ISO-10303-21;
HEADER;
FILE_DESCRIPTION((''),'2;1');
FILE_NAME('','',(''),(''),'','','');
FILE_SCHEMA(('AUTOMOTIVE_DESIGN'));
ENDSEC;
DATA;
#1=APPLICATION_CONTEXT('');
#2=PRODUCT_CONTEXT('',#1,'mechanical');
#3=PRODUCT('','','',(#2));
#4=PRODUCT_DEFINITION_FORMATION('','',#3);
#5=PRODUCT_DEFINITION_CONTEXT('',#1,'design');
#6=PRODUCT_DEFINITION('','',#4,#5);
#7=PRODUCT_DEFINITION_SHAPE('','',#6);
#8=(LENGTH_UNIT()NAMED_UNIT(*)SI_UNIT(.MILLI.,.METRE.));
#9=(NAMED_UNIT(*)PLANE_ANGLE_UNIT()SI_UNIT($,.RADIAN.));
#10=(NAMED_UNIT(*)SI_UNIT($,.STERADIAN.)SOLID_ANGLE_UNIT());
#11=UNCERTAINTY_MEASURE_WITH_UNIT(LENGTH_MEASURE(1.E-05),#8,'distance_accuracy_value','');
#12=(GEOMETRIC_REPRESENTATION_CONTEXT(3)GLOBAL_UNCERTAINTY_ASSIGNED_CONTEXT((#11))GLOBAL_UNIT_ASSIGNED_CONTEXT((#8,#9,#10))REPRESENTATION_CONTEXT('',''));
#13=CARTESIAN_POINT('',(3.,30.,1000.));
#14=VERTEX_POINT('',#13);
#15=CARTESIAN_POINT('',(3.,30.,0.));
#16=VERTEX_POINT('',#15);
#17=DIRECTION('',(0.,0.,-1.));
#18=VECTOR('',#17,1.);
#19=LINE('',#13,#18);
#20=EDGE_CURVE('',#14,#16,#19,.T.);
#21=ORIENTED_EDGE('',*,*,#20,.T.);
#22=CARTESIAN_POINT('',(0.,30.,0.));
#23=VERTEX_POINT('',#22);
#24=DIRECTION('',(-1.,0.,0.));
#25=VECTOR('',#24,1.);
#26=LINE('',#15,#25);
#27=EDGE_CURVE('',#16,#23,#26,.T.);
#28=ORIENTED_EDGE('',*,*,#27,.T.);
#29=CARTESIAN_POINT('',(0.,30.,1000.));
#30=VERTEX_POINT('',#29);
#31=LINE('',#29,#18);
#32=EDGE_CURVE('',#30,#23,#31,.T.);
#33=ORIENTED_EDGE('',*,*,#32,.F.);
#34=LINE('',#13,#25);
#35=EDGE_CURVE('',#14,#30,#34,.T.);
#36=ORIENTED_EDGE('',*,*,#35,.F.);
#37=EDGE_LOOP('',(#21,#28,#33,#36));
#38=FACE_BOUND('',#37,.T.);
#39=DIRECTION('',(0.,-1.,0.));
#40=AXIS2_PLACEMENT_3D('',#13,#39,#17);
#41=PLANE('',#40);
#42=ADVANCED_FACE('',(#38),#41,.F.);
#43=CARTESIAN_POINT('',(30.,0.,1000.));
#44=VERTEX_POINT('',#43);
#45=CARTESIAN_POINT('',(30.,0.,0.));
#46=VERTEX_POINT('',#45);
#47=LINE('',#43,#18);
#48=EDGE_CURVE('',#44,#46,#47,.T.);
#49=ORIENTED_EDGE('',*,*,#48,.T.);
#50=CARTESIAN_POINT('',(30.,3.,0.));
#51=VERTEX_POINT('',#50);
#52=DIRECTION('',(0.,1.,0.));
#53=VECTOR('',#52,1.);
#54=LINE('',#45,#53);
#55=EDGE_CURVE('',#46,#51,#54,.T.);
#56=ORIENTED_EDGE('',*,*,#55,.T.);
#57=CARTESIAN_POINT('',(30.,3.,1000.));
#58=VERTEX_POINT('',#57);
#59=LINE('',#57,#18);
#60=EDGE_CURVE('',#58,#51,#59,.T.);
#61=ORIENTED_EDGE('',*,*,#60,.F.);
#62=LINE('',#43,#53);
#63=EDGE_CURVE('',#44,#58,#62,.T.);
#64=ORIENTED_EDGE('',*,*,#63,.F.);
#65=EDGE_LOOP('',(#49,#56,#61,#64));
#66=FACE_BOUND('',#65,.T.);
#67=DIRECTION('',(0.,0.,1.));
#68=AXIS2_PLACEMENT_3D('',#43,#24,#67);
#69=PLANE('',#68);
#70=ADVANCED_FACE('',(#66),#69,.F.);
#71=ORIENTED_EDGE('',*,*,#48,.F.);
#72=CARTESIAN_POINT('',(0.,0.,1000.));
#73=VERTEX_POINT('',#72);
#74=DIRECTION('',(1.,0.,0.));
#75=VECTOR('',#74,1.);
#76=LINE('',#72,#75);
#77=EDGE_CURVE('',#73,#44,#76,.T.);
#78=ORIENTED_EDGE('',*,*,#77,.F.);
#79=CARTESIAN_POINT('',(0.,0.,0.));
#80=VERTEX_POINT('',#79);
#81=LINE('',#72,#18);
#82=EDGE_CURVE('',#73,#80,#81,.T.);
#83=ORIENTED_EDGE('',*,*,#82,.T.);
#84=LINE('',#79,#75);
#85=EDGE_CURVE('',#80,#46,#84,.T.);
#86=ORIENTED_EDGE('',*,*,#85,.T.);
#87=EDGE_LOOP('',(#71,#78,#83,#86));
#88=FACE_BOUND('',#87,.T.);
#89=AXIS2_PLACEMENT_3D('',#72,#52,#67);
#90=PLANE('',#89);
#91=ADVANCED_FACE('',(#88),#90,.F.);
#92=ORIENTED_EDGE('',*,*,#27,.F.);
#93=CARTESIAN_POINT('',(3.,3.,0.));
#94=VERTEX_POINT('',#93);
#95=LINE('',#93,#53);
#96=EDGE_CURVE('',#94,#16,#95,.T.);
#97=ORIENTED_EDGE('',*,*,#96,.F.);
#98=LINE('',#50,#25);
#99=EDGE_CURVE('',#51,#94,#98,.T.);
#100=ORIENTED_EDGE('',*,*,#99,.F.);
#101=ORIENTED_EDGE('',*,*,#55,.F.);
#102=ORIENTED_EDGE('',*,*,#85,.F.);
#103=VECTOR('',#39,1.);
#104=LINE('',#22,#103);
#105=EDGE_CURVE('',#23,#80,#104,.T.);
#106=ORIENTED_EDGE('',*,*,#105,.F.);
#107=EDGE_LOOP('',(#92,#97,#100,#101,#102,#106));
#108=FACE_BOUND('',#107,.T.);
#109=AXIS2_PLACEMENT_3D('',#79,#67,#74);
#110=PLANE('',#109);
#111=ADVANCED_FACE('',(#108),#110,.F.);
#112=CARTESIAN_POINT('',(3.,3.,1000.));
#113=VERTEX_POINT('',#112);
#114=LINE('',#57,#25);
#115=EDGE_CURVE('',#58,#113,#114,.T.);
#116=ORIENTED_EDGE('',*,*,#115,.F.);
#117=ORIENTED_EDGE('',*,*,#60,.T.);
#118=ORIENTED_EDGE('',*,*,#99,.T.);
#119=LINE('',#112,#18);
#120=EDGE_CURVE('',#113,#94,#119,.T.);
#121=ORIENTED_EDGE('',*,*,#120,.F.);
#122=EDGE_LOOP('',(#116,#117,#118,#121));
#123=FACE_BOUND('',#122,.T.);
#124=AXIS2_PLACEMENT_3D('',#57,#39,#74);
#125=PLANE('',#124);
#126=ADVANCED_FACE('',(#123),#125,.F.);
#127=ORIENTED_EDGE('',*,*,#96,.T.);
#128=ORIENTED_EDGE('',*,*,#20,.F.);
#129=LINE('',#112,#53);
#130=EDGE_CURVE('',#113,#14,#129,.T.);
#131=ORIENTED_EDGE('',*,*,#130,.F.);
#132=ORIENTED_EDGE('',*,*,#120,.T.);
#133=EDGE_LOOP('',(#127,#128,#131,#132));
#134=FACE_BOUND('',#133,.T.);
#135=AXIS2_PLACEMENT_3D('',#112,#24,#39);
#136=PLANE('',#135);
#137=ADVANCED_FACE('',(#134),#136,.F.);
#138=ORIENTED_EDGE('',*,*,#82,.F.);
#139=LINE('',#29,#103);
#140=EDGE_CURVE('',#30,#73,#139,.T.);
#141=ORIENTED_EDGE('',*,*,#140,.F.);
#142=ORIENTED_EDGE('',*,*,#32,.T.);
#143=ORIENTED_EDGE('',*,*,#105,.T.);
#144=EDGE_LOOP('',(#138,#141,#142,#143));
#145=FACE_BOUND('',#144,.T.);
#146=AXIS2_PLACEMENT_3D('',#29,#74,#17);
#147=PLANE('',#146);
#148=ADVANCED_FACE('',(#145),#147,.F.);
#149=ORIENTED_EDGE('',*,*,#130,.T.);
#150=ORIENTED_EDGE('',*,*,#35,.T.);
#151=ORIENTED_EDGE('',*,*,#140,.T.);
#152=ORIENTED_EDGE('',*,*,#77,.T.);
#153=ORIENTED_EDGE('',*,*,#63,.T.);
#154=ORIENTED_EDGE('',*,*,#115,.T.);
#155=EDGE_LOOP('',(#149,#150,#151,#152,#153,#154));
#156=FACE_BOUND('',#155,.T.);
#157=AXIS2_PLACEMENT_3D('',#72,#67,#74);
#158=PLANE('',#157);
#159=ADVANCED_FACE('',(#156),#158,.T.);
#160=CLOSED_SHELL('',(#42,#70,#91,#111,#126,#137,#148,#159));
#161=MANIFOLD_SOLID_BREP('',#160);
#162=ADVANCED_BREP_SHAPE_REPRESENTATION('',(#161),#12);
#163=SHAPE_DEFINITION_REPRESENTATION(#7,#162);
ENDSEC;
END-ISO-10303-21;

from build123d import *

# Parameters (mm, degrees)
EXTRUDE_1_DEPTH = 1000


with BuildPart() as part:
    # Эскиз1 → Бобышка-Вытянуть1 (new body)
    with BuildSketch(Plane.XY):
        Polygon((0, 30), (0, 0), (30, 0), (30, 3), (3, 3), (3, 30), align=None)
    extrude(amount=EXTRUDE_1_DEPTH)


solid = part.part
